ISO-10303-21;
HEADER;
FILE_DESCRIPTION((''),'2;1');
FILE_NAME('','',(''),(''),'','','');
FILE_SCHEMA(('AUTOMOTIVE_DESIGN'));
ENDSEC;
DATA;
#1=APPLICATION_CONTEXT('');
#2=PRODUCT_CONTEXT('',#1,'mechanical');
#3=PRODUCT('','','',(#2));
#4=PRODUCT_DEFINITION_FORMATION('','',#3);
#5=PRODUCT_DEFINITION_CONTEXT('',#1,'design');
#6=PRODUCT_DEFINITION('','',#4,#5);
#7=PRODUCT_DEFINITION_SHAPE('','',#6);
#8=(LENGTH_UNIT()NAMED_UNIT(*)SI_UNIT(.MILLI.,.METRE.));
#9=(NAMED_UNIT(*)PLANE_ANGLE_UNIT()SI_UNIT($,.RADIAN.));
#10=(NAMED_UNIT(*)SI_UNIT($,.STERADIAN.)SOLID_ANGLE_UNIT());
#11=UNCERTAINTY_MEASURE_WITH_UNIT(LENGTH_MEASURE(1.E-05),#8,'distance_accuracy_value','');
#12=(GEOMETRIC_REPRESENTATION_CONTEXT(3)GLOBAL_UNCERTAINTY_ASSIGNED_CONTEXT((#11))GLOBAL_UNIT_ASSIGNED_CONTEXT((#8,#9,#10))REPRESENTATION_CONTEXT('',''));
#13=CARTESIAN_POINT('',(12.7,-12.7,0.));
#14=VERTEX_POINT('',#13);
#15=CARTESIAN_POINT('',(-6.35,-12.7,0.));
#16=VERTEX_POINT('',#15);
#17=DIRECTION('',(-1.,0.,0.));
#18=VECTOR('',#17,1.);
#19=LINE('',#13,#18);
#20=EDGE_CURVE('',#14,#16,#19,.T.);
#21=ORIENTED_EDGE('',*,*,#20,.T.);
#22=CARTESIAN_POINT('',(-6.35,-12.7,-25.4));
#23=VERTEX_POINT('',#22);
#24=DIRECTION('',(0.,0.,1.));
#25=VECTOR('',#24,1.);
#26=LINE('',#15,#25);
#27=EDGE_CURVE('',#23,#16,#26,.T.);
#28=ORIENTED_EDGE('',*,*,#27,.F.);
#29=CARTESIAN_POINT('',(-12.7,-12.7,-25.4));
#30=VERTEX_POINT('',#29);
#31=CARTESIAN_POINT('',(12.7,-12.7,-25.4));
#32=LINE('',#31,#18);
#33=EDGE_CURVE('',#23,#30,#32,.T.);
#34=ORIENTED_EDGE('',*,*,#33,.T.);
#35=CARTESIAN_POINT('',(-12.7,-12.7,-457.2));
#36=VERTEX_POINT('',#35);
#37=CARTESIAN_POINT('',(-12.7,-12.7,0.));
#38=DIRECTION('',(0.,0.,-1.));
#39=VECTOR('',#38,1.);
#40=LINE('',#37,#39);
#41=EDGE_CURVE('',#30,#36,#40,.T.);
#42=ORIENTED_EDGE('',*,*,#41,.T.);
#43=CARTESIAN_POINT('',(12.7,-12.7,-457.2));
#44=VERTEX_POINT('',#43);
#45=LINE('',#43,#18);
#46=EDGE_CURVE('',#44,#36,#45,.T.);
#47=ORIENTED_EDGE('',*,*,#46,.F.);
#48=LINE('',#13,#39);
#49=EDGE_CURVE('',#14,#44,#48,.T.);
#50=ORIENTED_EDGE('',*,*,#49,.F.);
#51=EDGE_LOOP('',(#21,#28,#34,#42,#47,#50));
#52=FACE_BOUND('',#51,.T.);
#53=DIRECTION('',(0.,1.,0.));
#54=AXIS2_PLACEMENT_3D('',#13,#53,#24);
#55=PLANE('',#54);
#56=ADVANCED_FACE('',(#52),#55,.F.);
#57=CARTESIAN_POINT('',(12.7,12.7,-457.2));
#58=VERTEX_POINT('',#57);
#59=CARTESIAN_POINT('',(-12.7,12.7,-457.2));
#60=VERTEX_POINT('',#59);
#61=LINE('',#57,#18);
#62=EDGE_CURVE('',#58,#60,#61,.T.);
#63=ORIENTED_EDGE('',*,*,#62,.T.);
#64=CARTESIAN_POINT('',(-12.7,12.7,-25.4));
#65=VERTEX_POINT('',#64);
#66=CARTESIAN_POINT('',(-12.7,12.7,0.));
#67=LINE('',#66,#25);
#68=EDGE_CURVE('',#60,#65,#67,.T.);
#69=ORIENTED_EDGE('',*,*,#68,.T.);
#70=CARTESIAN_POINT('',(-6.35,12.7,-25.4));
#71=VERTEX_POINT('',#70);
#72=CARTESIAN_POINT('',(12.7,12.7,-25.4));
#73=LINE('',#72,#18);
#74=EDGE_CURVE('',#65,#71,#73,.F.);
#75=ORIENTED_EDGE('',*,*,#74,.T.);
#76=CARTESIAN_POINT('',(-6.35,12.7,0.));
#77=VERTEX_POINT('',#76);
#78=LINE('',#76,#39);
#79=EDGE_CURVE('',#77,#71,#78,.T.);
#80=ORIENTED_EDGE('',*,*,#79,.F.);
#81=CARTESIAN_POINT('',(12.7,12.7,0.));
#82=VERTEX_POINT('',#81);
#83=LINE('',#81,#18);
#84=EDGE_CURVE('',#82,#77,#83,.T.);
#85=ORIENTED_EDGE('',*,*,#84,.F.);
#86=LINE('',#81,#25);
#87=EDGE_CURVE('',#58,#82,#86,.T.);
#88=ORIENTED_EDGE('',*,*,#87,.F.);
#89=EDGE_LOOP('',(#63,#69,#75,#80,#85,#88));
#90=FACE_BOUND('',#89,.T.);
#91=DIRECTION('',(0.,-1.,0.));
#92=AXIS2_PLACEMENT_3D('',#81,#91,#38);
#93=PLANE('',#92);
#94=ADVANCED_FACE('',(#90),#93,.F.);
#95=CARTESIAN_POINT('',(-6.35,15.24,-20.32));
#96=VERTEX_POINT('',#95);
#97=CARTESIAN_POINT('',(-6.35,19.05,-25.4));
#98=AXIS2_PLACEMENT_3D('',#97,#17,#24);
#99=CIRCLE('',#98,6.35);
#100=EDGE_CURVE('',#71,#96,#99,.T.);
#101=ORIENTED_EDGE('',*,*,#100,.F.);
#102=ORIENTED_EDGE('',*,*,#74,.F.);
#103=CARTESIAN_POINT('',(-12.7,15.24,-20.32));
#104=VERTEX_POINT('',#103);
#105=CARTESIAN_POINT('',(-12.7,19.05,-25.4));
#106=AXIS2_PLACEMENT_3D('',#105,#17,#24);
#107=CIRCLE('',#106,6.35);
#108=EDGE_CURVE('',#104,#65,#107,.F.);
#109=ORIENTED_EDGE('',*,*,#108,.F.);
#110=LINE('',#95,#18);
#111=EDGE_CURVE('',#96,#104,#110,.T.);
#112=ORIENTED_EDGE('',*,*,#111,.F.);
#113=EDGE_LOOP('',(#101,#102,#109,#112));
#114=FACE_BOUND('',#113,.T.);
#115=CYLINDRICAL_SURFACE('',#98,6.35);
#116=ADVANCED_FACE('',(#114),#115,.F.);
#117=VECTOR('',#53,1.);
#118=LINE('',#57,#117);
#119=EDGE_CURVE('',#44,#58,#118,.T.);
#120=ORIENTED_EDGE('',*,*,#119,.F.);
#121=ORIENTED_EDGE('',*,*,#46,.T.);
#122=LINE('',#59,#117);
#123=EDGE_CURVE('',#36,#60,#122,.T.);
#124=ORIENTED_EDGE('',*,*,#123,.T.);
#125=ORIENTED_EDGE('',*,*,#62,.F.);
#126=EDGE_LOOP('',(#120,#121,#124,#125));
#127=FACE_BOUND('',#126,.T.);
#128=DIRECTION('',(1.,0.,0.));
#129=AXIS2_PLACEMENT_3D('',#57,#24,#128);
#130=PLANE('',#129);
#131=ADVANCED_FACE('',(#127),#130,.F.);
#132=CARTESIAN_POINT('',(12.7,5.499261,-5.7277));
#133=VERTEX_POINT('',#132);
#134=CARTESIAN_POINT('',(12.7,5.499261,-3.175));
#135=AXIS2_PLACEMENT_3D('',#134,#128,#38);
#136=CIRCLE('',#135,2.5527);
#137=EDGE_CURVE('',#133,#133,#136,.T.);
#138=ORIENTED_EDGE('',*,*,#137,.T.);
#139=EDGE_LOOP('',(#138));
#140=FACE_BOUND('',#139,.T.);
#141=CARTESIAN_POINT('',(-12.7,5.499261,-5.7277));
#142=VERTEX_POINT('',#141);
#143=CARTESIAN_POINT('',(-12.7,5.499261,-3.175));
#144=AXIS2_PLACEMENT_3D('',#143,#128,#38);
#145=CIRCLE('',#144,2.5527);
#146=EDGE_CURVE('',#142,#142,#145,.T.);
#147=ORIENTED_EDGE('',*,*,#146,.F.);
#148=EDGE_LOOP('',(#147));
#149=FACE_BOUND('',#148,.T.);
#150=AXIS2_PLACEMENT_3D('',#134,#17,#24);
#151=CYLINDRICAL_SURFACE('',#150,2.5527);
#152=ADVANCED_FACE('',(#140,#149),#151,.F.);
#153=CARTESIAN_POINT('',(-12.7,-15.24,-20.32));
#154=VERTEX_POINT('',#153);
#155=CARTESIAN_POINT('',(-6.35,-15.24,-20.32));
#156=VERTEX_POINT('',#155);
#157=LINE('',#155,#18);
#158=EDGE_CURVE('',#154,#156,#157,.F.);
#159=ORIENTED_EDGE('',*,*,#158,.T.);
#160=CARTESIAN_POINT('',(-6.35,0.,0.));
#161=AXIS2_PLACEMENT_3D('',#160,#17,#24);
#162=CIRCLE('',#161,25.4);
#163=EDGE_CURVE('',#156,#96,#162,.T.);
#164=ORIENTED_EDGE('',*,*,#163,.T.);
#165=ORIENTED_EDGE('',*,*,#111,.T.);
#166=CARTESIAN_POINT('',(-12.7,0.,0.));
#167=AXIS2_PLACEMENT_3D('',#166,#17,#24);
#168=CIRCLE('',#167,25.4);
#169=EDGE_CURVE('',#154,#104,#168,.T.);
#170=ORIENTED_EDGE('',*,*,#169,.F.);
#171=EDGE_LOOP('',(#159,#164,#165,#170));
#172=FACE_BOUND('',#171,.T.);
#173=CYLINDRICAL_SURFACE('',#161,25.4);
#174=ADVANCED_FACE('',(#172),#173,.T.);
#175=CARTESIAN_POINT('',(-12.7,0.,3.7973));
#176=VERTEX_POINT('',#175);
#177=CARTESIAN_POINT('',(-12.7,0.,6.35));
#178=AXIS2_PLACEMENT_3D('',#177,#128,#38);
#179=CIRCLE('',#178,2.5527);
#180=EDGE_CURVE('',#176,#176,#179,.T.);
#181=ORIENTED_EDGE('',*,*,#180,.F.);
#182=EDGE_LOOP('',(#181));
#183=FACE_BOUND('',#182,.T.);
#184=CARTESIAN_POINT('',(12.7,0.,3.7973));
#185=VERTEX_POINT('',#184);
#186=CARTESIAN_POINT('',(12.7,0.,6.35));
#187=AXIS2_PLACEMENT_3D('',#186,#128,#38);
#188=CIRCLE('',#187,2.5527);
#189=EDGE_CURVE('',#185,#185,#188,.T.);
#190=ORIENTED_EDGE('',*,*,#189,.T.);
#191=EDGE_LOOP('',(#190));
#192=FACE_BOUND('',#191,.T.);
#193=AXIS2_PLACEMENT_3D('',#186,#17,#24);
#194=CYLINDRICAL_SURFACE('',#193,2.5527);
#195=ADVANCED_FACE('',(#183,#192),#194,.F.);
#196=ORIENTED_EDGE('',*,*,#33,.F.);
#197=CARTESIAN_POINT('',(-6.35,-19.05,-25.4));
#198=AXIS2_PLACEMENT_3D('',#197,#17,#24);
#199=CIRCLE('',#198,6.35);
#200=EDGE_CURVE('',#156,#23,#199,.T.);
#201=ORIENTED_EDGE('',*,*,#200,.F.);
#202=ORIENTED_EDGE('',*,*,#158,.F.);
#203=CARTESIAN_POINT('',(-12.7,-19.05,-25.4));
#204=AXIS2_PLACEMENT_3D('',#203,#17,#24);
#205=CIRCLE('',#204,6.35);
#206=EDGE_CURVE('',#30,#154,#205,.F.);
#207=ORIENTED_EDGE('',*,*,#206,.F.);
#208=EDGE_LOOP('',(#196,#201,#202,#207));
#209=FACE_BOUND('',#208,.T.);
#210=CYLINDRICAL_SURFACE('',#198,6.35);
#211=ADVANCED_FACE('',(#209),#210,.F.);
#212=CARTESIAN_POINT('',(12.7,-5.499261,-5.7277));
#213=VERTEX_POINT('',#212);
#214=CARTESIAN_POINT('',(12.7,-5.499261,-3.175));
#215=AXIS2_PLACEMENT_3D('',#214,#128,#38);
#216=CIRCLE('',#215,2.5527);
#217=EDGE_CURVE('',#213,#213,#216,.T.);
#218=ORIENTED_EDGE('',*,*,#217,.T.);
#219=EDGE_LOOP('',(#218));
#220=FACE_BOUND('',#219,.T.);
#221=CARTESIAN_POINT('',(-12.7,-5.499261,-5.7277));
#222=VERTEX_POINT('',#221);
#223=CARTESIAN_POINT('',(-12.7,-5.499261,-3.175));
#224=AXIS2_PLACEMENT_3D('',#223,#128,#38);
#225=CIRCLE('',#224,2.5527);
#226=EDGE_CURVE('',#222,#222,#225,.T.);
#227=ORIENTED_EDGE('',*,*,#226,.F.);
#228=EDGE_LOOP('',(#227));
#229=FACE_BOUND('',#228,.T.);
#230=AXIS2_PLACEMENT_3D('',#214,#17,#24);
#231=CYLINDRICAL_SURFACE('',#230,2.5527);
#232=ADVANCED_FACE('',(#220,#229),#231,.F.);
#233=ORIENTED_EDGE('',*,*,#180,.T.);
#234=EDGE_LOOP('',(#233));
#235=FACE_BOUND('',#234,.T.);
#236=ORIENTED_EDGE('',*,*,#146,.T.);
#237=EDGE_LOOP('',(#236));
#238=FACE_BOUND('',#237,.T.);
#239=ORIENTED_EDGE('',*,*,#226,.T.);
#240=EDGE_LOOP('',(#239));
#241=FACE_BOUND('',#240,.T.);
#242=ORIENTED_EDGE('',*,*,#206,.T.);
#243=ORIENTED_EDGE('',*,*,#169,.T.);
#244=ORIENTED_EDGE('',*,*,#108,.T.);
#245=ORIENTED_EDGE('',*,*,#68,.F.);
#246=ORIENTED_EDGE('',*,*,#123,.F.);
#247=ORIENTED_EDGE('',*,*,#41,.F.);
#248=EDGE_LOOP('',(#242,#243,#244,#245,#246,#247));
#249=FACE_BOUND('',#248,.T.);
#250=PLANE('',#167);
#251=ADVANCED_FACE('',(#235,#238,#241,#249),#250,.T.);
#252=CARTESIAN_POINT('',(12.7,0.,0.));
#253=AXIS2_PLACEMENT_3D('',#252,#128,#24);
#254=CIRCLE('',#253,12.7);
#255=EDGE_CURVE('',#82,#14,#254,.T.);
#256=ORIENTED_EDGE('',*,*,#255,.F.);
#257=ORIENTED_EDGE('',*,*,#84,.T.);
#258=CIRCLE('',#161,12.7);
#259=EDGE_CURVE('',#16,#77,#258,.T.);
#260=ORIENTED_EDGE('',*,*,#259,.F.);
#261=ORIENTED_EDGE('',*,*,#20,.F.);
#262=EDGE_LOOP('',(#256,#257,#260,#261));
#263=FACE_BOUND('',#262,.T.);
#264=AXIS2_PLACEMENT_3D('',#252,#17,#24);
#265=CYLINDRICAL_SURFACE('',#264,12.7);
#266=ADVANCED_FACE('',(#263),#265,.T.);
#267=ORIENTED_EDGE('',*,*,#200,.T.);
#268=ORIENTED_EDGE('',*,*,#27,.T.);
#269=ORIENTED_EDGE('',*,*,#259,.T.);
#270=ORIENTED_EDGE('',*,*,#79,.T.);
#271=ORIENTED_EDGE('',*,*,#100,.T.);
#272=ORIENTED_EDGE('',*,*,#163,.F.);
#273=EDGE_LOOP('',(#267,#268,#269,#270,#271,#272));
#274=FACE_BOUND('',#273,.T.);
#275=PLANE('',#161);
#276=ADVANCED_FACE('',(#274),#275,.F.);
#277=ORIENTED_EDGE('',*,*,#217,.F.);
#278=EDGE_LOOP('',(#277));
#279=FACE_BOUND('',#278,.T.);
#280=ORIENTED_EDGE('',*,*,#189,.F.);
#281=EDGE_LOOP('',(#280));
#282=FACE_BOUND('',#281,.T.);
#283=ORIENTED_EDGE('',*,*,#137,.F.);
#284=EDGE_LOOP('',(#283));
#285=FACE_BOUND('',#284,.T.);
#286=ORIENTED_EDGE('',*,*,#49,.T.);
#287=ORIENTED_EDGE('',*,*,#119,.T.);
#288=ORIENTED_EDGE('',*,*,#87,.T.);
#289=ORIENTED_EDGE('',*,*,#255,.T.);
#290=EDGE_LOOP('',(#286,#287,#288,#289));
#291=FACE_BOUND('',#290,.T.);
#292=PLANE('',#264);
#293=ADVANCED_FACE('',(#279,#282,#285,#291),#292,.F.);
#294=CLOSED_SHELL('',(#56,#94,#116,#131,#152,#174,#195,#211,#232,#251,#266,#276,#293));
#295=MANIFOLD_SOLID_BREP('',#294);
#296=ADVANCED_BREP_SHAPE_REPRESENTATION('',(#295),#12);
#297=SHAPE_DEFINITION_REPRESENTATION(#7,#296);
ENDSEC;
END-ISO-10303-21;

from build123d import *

# Parameters (mm, degrees)
SKETCH1_R           = 2.5527
BOSS_EXTRUDE1_DEPTH = 12.7
SKETCH3_R           = 25.4
BOSS_EXTRUDE2_DEPTH = 6.35
SKETCH4_R           = 2.5527
CUT_EXTRUDE1_DEPTH  = 459.301104624
FILLET1_R           = 6.35


with BuildPart() as part:
    # Sketch1 → Boss-Extrude1 (new, symmetric)
    with BuildSketch(Plane(origin=(0, 0, 0), x_dir=(0, 0, -1), z_dir=(1, 0, 0))):
        with BuildLine():
            Line((0, 12.7), (457.2, 12.7))
            Line((457.2, 12.7), (457.2, -12.7))
            Line((457.2, -12.7), (0, -12.7))
            ThreePointArc((0, -12.7), (-12.7, 0), (0, 12.7))
        make_face()
        with Locations((3.175, 5.499261314)):
            Circle(SKETCH1_R, mode=Mode.SUBTRACT)
        with Locations((-6.35, 0)):
            Circle(SKETCH1_R, mode=Mode.SUBTRACT)
        with Locations((3.175, -5.499261314)):
            Circle(SKETCH1_R, mode=Mode.SUBTRACT)
    extrude(amount=BOSS_EXTRUDE1_DEPTH, both=True)

    # Sketch3 → Boss-Extrude2 (add)
    with BuildSketch(Plane.ZY.offset(12.7)):
        Circle(SKETCH3_R)
    extrude(amount=-BOSS_EXTRUDE2_DEPTH)

    # Sketch4 → Cut-Extrude1 (cut, through all)
    with BuildSketch(Plane(origin=(-6.35, 0, 0), x_dir=(0, 0, -1), z_dir=(1, 0, 0))):
        with Locations((3.175, 5.499261314)):
            Circle(SKETCH4_R)
        with Locations((3.175, -5.499261314)):
            Circle(SKETCH4_R)
        with Locations((-6.35, 0)):
            Circle(SKETCH4_R)
    extrude(amount=-CUT_EXTRUDE1_DEPTH, mode=Mode.SUBTRACT)

    # Fillet1
    fillet1_edges = [part.edges().sort_by_distance(p)[0] for p in [
        (-9.525, 12.7, -21.997045256),
        (-9.525, -12.7, -21.997045256),
    ]]
    fillet(fillet1_edges, radius=FILLET1_R)


solid = part.part
